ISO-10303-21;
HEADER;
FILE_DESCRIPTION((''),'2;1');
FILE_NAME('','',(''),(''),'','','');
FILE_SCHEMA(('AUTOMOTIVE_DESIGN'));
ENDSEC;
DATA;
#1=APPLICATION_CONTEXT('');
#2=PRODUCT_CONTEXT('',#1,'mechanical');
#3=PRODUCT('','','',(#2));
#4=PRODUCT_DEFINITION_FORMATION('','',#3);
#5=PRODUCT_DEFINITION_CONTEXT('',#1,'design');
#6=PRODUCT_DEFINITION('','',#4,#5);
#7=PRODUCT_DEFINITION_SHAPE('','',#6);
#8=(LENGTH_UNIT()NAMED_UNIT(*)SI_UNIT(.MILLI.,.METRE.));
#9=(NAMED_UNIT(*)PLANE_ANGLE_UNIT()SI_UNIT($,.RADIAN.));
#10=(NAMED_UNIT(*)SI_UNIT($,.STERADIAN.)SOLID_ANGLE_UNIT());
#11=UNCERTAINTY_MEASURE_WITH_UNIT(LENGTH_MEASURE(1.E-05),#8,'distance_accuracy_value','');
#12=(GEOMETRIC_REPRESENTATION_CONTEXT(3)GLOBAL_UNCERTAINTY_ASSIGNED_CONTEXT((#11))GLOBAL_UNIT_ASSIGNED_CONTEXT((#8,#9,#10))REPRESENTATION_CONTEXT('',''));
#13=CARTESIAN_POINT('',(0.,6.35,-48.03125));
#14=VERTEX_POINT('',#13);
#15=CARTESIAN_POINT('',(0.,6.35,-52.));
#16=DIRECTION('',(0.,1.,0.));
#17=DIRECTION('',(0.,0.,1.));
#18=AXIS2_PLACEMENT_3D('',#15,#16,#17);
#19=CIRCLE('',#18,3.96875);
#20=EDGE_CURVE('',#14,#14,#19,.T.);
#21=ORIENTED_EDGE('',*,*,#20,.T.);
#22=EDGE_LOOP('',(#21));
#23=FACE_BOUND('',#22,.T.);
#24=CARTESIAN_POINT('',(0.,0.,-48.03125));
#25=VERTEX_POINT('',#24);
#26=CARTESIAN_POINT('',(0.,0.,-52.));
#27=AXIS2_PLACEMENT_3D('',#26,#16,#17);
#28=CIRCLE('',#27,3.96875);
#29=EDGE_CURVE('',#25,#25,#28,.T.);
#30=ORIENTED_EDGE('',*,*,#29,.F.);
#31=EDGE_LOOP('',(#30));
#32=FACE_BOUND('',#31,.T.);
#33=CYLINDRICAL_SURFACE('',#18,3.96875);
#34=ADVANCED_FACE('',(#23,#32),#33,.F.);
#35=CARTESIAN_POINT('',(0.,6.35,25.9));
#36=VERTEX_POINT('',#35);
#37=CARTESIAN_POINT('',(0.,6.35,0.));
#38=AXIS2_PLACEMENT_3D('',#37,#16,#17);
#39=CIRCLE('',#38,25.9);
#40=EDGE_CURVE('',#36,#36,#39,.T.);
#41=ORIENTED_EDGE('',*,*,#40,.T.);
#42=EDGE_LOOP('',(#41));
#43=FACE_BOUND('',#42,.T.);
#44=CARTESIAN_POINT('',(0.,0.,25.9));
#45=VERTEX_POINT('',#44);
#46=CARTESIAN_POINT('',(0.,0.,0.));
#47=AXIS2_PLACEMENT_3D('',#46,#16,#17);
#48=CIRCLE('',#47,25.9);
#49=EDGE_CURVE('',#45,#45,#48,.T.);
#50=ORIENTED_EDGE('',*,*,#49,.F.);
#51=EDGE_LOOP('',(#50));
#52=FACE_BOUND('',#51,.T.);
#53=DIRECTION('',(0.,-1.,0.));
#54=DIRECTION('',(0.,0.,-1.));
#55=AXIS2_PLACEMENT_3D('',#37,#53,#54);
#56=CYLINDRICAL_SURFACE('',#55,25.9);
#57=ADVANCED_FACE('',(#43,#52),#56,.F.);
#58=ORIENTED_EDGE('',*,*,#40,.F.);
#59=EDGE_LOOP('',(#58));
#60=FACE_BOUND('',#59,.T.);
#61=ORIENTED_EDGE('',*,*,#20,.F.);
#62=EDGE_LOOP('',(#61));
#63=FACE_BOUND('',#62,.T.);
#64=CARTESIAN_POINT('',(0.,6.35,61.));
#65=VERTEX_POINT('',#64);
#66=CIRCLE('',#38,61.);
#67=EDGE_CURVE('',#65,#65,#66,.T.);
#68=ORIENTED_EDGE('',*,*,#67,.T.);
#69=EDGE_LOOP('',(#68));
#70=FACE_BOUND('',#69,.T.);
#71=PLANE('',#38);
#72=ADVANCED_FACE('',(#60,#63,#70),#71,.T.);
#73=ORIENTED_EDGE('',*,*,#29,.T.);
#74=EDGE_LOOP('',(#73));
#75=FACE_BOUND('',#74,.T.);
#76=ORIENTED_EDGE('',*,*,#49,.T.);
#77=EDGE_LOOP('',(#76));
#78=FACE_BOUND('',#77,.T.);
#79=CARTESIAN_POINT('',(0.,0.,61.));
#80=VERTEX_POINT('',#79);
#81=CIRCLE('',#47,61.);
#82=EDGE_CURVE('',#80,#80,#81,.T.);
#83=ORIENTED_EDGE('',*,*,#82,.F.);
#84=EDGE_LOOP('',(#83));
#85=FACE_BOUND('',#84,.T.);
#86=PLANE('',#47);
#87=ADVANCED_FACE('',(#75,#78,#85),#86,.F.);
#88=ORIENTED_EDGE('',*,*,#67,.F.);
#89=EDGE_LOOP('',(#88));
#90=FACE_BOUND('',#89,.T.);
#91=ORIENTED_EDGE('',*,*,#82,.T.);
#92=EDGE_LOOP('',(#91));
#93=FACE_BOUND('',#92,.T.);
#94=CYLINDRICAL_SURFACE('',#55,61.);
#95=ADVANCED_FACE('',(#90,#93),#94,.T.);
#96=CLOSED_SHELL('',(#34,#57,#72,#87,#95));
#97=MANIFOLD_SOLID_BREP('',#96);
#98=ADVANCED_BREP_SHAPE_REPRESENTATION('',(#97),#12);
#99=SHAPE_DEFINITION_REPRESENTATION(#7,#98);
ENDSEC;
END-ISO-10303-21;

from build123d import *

# Parameters (mm, degrees)
SKETCH1_R                      = 61
SKETCH1_R_2                    = 25.9
BOSS_EXTRUDE1_DEPTH            = 6.35
F_5_16_0_3125_DIAMETER_HOLE1_D = 7.9375


with BuildPart() as part:
    # Sketch1 → Boss-Extrude1 (new body)
    with BuildSketch(Plane(origin=(0, 0, 0), x_dir=(1, 0, 0), z_dir=(0, 1, 0))):
        with Locations(Location((0, 0, 0), (0, 0, 270))):  # turned: the seam where the file's is
            Circle(SKETCH1_R)
        with Locations(Location((0, 0, 0), (0, 0, 270))):  # turned: the seam where the file's is
            Circle(SKETCH1_R_2, mode=Mode.SUBTRACT)
    extrude(amount=BOSS_EXTRUDE1_DEPTH)

    # 5/16 (0.3125) Diameter Hole1 (through all)
    with Locations(Plane(origin=(0, 6.35, 0), x_dir=(1, 0, 0), z_dir=(0, 1, 0))):
        with Locations((0, 52)):
            Hole(F_5_16_0_3125_DIAMETER_HOLE1_D / 2)


solid = part.part
